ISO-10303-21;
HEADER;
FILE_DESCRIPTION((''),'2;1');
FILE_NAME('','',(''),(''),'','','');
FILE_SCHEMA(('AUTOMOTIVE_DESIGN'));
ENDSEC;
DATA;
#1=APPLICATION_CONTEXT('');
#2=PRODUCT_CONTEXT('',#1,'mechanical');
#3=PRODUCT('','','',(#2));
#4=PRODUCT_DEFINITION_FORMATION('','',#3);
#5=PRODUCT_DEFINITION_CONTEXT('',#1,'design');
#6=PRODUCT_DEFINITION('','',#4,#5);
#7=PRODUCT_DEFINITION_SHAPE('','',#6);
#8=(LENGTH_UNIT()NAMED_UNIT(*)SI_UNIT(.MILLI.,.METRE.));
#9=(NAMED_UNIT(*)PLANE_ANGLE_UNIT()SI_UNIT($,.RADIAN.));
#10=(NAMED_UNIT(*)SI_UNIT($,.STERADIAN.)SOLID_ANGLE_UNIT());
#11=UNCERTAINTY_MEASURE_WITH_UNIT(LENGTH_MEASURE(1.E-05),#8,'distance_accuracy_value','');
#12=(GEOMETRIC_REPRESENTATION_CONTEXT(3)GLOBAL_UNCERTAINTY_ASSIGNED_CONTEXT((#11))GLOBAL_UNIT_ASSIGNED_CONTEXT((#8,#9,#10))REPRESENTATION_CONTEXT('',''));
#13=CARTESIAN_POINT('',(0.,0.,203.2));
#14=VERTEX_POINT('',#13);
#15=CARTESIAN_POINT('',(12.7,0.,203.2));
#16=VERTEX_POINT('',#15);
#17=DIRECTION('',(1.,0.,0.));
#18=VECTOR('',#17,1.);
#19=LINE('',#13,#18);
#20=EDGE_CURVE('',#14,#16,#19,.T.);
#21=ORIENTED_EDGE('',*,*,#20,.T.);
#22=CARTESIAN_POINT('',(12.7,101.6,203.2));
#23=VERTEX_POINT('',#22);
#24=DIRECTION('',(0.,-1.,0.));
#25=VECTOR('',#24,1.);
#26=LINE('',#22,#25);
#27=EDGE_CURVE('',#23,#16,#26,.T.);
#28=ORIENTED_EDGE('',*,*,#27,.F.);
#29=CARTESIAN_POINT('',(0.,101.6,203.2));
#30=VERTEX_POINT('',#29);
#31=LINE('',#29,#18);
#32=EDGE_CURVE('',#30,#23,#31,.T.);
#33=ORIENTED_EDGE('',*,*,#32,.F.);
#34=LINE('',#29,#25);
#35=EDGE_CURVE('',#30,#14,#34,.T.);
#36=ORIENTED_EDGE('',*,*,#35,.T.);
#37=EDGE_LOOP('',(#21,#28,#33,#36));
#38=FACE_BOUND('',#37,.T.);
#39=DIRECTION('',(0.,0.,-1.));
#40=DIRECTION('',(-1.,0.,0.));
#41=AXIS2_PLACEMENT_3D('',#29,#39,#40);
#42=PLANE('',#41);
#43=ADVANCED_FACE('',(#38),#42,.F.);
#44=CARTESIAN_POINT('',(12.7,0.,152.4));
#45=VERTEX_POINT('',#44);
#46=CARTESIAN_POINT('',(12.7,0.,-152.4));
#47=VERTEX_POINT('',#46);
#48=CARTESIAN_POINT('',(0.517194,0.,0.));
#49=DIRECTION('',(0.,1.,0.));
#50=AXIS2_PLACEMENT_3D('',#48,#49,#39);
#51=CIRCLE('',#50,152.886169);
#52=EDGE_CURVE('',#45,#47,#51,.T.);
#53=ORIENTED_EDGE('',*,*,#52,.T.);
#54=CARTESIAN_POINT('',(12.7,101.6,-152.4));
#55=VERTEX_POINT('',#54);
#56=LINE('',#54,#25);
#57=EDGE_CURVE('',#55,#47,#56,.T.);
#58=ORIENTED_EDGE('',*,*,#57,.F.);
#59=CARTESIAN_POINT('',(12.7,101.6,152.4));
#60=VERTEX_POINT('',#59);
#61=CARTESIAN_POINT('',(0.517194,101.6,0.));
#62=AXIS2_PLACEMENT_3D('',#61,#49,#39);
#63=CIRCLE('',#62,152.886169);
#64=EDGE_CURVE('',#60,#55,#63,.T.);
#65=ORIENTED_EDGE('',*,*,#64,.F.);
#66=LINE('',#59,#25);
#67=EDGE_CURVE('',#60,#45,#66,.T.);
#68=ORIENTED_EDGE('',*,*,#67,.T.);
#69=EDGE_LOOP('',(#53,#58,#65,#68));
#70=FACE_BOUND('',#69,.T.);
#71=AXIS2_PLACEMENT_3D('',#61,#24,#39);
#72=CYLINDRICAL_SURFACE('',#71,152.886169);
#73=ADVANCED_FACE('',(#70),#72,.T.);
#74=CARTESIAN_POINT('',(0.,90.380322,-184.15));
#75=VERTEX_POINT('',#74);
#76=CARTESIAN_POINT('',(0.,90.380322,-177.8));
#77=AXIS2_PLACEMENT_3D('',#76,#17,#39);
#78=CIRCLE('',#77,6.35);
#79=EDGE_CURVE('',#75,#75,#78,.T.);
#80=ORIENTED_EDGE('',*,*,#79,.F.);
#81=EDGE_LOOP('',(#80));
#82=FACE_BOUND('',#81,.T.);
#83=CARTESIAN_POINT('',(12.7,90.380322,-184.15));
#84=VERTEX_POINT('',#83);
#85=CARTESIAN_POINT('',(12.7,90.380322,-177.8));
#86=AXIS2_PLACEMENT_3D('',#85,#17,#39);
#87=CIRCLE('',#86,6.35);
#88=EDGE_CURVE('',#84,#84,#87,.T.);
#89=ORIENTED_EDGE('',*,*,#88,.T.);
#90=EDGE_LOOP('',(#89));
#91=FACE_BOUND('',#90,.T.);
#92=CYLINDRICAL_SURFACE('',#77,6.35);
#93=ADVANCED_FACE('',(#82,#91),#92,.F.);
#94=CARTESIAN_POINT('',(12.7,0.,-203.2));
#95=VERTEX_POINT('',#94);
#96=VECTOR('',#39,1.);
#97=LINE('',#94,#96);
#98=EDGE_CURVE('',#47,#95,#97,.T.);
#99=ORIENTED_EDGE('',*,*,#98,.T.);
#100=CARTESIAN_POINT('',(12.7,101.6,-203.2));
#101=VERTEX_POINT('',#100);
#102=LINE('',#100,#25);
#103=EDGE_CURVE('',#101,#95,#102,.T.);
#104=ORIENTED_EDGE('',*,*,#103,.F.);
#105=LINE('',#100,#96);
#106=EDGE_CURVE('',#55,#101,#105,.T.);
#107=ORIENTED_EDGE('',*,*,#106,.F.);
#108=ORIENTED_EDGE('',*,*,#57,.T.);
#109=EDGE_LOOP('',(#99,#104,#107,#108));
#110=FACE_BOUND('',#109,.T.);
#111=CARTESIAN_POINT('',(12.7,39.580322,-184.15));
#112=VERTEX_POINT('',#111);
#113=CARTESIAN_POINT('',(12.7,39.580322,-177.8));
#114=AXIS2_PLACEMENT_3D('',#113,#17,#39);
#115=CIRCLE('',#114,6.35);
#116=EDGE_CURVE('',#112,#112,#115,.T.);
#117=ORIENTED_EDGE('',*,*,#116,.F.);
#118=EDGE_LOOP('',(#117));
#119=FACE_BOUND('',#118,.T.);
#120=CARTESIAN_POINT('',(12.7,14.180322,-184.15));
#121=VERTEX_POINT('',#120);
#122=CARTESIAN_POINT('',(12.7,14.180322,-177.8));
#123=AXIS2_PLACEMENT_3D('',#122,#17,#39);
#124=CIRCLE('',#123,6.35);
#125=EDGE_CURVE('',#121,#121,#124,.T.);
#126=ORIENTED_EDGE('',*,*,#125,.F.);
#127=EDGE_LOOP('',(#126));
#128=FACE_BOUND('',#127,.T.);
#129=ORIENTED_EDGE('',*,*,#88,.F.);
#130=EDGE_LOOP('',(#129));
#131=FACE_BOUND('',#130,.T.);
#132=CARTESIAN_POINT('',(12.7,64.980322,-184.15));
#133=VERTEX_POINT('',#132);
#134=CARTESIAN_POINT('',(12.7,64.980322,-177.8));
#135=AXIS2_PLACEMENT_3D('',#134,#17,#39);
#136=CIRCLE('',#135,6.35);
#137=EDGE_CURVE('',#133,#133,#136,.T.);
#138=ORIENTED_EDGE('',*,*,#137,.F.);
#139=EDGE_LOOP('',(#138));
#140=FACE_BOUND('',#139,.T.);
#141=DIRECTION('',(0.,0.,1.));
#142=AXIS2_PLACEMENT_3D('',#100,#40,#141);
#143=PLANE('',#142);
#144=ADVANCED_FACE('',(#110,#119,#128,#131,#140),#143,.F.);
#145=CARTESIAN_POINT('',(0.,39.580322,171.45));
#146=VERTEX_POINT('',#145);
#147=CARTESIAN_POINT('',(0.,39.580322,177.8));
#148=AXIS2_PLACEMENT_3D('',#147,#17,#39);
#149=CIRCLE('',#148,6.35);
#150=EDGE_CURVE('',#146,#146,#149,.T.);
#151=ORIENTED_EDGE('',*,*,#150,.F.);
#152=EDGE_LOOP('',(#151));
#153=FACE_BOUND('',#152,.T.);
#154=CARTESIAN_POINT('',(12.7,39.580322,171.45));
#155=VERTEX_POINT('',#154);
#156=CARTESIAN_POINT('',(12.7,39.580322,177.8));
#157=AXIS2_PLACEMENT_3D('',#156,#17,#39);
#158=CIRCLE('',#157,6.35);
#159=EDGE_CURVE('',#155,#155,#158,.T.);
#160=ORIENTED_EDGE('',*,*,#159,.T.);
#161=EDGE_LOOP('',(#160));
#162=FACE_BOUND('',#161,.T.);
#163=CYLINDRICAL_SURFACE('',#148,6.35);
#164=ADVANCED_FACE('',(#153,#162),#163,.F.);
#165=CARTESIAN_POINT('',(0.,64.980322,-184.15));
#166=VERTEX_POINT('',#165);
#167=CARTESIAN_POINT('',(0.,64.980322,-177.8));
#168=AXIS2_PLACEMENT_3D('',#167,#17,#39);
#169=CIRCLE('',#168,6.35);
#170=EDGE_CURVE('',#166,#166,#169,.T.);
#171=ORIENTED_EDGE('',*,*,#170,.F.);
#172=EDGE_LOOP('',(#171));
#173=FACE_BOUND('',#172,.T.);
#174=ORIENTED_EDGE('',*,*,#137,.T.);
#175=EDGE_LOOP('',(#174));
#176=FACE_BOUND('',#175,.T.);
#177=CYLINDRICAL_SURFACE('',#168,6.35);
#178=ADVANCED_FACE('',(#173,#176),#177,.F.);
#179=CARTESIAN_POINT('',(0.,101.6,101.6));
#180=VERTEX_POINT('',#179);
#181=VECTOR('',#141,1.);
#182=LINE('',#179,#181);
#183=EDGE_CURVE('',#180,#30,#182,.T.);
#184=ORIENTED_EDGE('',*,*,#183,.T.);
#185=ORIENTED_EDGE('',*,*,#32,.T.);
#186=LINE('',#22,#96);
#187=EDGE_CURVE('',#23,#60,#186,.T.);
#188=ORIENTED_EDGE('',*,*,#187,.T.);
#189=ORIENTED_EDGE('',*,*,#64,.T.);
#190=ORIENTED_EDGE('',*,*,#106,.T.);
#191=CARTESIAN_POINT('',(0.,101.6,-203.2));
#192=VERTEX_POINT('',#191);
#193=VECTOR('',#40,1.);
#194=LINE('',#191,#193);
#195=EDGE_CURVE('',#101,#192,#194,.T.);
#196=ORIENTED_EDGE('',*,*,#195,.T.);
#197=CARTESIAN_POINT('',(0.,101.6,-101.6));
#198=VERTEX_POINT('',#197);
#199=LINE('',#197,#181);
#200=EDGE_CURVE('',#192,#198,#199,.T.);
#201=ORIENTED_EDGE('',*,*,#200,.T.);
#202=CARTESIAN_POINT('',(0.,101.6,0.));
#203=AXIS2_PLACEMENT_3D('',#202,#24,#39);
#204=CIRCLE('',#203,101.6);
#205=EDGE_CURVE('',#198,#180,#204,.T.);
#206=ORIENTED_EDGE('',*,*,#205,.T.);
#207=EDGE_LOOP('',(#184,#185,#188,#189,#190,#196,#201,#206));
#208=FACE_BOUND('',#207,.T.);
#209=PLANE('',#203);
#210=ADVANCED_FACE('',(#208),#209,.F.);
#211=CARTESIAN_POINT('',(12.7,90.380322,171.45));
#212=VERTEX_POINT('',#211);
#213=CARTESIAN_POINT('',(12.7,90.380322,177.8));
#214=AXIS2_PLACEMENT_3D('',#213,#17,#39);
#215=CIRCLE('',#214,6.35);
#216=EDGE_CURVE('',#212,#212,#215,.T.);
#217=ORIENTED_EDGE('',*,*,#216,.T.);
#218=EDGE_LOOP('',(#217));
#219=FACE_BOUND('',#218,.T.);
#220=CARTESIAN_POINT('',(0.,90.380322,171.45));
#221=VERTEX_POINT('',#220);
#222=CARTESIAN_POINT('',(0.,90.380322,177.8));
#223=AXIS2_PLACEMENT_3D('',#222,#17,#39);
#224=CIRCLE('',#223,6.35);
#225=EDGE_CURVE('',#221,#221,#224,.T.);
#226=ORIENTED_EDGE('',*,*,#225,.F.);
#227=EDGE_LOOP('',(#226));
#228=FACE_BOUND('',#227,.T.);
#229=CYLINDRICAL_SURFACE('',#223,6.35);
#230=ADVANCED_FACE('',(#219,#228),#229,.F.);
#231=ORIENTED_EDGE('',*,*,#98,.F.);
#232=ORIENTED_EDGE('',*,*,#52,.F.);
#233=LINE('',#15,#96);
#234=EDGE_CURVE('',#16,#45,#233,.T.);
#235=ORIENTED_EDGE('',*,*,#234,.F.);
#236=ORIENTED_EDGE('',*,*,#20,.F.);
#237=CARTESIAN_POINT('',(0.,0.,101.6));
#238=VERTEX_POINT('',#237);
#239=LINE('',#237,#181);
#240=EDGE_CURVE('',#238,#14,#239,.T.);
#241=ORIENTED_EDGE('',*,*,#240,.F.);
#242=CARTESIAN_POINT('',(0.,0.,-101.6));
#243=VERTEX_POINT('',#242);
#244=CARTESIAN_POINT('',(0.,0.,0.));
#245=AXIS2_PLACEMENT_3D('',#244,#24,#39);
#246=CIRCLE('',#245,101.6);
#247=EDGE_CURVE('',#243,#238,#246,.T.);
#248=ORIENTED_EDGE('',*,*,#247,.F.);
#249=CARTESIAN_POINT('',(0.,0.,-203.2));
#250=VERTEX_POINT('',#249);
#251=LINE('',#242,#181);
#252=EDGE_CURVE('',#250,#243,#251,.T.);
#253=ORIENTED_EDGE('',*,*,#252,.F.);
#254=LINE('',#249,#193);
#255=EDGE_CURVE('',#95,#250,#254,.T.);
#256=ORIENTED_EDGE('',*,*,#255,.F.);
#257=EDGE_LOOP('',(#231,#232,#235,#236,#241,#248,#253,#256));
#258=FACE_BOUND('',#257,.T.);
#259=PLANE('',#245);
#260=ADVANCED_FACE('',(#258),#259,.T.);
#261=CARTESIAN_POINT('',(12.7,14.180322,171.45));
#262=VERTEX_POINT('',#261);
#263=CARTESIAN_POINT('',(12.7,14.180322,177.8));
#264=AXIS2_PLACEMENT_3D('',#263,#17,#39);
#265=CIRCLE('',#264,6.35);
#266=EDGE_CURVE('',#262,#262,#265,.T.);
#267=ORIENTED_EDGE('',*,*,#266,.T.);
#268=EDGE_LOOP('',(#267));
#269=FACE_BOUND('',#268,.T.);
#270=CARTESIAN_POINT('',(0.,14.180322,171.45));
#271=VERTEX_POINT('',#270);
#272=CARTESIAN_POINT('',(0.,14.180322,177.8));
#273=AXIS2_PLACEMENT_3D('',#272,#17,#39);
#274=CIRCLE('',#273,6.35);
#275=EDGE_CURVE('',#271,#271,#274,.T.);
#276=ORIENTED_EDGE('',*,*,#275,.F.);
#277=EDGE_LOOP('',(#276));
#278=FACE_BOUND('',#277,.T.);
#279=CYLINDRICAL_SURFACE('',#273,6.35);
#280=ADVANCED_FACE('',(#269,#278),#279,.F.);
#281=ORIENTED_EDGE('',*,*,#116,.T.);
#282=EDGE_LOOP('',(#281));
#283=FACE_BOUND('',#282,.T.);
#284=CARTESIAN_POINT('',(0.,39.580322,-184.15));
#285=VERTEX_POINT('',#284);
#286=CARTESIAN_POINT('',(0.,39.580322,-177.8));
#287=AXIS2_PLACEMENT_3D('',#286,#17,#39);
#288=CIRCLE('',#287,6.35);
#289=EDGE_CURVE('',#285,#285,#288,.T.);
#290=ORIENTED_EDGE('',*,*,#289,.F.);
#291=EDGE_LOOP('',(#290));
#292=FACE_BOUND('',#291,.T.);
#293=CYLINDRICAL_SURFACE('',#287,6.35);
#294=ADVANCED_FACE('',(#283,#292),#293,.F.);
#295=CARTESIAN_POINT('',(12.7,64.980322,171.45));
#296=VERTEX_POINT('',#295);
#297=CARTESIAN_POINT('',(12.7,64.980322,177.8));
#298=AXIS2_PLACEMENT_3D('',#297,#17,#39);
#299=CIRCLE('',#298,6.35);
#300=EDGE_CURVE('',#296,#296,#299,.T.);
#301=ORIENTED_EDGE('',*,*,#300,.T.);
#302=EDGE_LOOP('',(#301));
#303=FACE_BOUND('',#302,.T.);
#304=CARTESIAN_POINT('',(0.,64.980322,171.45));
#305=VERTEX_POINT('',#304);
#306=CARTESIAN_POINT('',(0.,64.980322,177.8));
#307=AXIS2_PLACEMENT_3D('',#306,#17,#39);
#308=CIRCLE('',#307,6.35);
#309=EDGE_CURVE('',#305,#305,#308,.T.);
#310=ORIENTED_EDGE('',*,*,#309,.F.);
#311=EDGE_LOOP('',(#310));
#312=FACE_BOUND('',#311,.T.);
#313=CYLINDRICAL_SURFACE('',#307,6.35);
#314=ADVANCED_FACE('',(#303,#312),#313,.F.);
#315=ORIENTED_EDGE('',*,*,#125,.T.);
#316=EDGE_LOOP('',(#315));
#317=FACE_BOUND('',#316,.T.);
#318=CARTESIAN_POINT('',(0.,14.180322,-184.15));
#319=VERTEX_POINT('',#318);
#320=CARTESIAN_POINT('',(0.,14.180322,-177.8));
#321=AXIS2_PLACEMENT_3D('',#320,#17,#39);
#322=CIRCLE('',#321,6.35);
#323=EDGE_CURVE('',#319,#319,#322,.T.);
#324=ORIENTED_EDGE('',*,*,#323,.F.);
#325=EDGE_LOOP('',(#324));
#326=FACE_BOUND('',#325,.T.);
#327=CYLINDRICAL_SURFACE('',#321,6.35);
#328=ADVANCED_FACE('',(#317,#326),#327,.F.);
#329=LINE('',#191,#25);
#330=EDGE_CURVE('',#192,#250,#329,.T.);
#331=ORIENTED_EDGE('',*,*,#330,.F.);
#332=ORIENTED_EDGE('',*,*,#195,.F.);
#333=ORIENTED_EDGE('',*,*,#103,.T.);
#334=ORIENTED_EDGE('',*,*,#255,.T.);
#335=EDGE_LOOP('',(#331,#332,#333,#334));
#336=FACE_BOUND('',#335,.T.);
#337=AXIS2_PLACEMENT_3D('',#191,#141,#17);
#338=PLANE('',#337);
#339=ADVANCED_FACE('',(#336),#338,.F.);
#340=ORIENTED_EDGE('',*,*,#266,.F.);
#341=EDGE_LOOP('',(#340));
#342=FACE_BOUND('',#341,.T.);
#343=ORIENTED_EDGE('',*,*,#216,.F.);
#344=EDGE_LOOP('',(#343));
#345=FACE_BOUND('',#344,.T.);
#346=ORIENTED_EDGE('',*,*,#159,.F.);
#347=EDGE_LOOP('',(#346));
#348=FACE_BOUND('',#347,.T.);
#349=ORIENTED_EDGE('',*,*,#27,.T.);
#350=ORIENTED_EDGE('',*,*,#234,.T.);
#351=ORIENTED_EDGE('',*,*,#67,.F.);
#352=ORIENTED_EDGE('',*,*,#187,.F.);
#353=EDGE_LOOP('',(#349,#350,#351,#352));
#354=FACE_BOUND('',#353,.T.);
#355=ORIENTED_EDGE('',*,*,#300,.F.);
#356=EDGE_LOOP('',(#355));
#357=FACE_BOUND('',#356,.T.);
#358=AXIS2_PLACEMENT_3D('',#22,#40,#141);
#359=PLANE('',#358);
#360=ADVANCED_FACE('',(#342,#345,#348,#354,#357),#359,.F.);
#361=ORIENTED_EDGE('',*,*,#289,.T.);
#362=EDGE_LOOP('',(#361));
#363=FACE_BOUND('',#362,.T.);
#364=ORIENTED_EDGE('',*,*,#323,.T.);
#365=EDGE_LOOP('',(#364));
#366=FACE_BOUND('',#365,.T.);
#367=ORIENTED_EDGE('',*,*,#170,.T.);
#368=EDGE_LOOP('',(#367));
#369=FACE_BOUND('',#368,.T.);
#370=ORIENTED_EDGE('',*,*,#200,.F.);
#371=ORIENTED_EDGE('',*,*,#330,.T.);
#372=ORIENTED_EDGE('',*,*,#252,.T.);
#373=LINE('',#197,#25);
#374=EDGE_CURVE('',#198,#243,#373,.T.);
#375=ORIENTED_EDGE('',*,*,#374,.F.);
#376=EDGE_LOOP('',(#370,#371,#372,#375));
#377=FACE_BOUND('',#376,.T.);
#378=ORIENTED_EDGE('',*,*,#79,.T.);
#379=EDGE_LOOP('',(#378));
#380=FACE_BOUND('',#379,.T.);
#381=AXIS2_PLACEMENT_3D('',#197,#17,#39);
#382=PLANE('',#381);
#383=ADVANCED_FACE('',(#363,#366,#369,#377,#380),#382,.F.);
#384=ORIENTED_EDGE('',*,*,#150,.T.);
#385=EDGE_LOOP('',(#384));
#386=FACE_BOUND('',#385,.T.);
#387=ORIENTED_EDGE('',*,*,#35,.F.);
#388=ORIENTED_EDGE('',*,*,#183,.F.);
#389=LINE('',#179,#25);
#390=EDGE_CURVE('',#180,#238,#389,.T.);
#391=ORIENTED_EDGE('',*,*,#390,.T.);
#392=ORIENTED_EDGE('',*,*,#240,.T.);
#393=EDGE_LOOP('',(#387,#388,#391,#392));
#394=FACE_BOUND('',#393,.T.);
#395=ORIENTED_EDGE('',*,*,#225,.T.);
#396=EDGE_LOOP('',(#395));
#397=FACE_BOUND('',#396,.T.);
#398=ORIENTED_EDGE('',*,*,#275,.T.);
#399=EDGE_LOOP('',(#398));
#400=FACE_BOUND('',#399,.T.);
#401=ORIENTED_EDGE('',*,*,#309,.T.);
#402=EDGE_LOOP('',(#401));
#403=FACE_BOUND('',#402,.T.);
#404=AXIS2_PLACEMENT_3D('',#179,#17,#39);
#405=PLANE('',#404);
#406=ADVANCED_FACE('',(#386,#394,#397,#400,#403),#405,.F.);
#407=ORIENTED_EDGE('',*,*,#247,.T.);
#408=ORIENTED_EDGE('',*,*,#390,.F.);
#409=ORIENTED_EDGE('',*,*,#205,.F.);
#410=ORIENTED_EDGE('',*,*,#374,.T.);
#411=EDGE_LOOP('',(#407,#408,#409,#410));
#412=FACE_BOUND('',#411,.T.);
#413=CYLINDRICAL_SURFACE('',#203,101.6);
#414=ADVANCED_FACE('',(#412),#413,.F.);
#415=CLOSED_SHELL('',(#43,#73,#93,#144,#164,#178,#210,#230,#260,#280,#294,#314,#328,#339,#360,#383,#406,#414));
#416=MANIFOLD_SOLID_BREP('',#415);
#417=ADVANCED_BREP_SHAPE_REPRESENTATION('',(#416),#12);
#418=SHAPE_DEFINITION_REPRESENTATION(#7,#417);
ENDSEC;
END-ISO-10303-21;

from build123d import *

# Parameters (mm, degrees)
BOSS_EXTRUDE1_DEPTH = 101.6
SKETCH2_R           = 6.35
CUT_EXTRUDE1_DEPTH  = 268.226937902
SKETCH3_R           = 6.35
CUT_EXTRUDE2_DEPTH  = 268.226937902


with BuildPart() as part:
    # Sketch1 → Boss-Extrude1 (new body)
    with BuildSketch(Plane(origin=(0, 0, 0), x_dir=(1, 0, 0), z_dir=(0, 1, 0))):
        with BuildLine():
            Line((0, -101.6), (0, -203.2))
            Line((0, -203.2), (12.7, -203.2))
            Line((12.7, -203.2), (12.7, -152.4))
            ThreePointArc((12.7, -152.4), (153.403362933, 0), (12.7, 152.4))
            Line((12.7, 152.4), (12.7, 203.2))
            Line((12.7, 203.2), (0, 203.2))
            Line((0, 203.2), (0, 101.6))
            ThreePointArc((0, 101.6), (101.6, 0), (0, -101.6))
        make_face()
    extrude(amount=BOSS_EXTRUDE1_DEPTH)

    # Sketch2 → Cut-Extrude1 (cut, through all)
    with BuildSketch(Plane(origin=(12.7, 0, 0), x_dir=(0, 0, -1), z_dir=(1, 0, 0))):
        with Locations((-177.8, 90.380321662)):
            Circle(SKETCH2_R)
        with Locations((-177.8, 64.980321662)):
            Circle(SKETCH2_R)
        with Locations((-177.8, 39.580321662)):
            Circle(SKETCH2_R)
        with Locations((-177.8, 14.180321662)):
            Circle(SKETCH2_R)
    extrude(amount=-CUT_EXTRUDE1_DEPTH, mode=Mode.SUBTRACT)

    # Sketch3 → Cut-Extrude2 (cut, through all)
    with BuildSketch(Plane(origin=(12.7, 0, 0), x_dir=(0, 0, -1), z_dir=(1, 0, 0))):
        with Locations((177.8, 90.380321662)):
            Circle(SKETCH3_R)
        with Locations((177.8, 64.980321662)):
            Circle(SKETCH3_R)
        with Locations((177.8, 39.580321662)):
            Circle(SKETCH3_R)
        with Locations((177.8, 14.180321662)):
            Circle(SKETCH3_R)
    extrude(amount=-CUT_EXTRUDE2_DEPTH, mode=Mode.SUBTRACT)


solid = part.part
